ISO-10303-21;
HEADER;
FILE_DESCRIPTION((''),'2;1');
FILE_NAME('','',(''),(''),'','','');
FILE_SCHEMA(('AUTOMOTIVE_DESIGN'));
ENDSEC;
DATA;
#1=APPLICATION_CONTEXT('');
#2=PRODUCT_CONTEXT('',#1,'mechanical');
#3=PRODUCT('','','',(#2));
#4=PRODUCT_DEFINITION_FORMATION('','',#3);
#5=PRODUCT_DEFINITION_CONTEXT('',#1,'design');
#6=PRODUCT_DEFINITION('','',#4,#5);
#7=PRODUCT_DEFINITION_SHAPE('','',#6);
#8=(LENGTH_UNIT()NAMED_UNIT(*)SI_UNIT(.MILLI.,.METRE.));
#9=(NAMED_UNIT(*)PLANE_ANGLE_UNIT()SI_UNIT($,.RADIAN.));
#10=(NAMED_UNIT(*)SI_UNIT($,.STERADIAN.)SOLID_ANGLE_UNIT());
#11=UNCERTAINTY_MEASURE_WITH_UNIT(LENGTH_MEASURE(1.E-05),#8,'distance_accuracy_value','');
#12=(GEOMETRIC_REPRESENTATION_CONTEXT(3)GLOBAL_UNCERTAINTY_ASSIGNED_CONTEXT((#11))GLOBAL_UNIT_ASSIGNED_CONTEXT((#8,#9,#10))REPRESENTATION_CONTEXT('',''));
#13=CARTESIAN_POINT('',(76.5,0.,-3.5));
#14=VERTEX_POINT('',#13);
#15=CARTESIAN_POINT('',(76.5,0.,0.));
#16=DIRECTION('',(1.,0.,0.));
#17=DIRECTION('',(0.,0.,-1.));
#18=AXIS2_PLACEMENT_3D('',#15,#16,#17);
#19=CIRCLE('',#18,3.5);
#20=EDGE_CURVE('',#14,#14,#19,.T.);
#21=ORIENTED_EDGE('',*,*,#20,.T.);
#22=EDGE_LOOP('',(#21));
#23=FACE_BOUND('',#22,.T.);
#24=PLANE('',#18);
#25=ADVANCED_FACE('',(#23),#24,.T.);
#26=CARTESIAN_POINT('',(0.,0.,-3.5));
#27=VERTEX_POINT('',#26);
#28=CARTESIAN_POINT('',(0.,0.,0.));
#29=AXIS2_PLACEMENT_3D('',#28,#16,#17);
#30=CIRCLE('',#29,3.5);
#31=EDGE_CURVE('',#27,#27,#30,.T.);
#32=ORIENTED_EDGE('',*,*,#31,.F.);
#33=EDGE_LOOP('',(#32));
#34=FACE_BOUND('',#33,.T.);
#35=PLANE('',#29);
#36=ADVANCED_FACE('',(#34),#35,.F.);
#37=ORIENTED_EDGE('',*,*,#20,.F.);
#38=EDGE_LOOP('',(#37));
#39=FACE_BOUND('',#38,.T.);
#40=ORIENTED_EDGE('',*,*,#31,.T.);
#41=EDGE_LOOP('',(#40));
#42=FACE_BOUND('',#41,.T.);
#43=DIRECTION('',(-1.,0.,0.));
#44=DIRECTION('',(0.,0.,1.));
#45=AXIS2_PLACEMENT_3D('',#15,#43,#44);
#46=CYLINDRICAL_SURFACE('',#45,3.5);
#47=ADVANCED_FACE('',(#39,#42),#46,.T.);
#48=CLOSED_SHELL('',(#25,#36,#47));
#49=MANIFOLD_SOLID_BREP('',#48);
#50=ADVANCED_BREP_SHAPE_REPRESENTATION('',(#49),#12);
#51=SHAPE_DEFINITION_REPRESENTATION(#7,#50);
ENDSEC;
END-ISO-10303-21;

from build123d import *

# Parameters (mm, degrees)
SKETCH2_R          = 3.5
BASE_EXTRUDE_DEPTH = 76.5


with BuildPart() as part:
    # Sketch2 → Base-Extrude (new body)
    with BuildSketch(Plane(origin=(0, 0, 0), x_dir=(0, 0, -1), z_dir=(1, 0, 0))):
        Circle(SKETCH2_R)
    extrude(amount=BASE_EXTRUDE_DEPTH)


solid = part.part
